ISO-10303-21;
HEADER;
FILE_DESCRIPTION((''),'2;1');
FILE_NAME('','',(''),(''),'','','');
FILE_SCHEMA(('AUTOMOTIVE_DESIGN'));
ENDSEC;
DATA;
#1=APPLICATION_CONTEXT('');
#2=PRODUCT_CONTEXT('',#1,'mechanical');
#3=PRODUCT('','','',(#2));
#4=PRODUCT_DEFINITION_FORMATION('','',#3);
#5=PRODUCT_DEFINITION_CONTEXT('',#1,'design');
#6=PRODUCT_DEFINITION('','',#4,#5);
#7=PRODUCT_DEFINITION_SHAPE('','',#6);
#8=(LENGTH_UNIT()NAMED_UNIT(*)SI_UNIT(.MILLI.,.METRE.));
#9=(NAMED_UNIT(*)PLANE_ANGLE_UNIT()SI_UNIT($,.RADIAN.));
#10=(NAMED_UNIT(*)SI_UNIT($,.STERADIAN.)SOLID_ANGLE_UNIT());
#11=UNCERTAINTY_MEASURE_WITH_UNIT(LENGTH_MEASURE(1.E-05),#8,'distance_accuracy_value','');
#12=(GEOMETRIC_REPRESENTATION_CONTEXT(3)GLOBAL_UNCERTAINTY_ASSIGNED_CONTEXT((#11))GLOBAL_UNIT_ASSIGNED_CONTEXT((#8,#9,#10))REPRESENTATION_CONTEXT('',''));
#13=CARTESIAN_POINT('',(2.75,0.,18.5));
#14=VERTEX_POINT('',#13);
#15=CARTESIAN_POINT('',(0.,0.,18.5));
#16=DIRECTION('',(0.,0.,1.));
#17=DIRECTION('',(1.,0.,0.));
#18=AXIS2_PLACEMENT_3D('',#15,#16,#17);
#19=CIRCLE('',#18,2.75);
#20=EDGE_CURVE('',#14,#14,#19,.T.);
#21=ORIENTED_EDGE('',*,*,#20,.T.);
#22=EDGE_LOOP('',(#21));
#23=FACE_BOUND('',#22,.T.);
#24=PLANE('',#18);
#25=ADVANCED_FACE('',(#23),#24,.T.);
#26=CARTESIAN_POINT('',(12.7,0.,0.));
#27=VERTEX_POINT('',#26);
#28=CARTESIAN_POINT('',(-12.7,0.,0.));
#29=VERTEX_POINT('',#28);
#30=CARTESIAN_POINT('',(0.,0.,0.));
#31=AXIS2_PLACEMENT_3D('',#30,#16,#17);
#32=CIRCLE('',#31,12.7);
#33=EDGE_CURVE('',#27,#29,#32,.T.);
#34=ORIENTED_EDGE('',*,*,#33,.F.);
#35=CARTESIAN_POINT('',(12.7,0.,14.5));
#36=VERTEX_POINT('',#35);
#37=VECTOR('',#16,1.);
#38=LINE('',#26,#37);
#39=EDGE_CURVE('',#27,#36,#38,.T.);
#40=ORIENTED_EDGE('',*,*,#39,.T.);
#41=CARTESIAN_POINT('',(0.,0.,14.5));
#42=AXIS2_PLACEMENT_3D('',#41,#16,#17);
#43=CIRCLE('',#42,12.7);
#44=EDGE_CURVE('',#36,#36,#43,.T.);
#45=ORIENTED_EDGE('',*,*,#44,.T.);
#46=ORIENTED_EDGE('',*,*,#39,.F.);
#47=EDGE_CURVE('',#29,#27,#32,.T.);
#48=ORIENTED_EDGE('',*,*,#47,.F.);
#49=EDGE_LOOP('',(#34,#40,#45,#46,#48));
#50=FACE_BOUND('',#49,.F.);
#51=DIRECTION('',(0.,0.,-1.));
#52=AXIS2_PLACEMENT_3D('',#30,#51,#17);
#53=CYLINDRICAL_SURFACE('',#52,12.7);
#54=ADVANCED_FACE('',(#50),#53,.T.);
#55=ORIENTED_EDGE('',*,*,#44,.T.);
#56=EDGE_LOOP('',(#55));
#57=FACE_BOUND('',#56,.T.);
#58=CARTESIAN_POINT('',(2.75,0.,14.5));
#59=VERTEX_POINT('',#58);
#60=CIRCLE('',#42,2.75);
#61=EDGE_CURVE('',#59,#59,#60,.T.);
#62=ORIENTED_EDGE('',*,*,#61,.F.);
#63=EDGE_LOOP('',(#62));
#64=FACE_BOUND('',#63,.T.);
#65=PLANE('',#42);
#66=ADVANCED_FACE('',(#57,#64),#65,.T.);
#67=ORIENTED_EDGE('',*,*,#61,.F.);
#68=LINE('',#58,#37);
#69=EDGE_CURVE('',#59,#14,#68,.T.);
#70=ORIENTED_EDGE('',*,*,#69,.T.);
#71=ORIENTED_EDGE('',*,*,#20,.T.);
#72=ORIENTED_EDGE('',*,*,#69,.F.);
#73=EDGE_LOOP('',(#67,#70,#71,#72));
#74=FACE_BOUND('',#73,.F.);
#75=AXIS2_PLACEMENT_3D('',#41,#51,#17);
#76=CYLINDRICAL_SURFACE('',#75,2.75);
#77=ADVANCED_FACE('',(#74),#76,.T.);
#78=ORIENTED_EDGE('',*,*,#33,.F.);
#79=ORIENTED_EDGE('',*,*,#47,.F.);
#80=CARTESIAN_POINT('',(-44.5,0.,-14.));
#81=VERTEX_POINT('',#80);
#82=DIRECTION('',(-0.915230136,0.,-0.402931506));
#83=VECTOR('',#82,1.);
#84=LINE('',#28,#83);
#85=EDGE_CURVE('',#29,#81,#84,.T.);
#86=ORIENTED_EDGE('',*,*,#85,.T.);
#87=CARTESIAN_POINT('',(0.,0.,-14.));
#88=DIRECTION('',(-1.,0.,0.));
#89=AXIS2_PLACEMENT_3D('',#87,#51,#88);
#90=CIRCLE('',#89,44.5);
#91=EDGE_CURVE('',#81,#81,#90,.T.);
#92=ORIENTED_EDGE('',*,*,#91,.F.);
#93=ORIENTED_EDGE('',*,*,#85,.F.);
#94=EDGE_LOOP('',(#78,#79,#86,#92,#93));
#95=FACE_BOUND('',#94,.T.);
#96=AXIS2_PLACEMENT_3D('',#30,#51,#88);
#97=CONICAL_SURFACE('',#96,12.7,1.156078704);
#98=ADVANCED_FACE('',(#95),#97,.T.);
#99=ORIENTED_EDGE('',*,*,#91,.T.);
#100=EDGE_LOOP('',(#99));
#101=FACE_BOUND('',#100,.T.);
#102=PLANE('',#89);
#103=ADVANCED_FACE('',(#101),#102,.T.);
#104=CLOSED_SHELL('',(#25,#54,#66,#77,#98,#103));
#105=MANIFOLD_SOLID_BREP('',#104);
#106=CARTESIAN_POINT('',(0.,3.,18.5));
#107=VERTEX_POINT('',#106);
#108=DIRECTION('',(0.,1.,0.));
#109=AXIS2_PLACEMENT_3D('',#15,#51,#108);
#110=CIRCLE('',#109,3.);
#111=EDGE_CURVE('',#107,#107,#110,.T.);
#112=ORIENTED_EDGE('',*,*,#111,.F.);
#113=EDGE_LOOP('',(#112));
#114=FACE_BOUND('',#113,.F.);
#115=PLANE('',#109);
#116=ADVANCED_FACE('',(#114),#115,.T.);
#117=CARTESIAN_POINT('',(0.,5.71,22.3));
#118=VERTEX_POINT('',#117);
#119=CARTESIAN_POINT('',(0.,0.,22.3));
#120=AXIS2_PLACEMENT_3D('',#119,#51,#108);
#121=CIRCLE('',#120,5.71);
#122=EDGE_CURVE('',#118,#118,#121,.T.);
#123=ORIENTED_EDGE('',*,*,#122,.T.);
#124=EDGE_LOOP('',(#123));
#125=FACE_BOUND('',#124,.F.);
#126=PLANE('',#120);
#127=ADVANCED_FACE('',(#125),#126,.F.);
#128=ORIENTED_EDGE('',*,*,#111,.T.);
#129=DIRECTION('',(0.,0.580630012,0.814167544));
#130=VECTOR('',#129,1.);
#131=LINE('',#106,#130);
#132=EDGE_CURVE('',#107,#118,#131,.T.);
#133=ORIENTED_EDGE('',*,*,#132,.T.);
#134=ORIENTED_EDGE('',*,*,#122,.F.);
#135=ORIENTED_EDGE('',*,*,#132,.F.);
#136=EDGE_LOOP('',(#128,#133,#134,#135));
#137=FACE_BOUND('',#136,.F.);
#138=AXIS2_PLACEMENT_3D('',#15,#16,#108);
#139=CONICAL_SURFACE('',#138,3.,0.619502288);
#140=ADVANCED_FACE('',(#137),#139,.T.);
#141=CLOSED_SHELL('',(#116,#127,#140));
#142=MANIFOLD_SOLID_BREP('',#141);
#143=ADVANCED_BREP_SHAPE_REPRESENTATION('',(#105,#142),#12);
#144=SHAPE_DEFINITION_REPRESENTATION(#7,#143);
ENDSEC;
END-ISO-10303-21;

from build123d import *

# Parameters (mm, degrees)
F0_R     = 12.7
F1_DEPTH = 14.5
F4_R     = 2.75
F5_DEPTH = 4


with BuildPart() as f1:
    # F0 (on Top) → F1 (new body)
    with BuildSketch(Plane.XY):
        Circle(F0_R)
    extrude(amount=F1_DEPTH)

    # F2 (on Front) → F3 (revolve)
    with BuildSketch(Plane.XZ):
        Polygon((0, 0), (-12.7, 0), (-44.5, -14), (0, -14), align=None)
    revolve(axis=Axis((0, 0, -7), (0, 0, -1)))

    # F4 (on face) → F5 (join)
    with BuildSketch(Plane.XY.offset(14.5)):
        Circle(F4_R)
    extrude(amount=F5_DEPTH)


with BuildPart() as f7:
    # F6 (on Right) → F7 (revolve)
    with BuildSketch(Plane.YZ):
        Polygon((0, 22.3), (0, 18.5), (3, 18.5), (5.71, 22.3), align=None)
    revolve(axis=Axis((0, 0, 20.4), (0, 0, -1)))


solid = Compound([f1.part, f7.part])
